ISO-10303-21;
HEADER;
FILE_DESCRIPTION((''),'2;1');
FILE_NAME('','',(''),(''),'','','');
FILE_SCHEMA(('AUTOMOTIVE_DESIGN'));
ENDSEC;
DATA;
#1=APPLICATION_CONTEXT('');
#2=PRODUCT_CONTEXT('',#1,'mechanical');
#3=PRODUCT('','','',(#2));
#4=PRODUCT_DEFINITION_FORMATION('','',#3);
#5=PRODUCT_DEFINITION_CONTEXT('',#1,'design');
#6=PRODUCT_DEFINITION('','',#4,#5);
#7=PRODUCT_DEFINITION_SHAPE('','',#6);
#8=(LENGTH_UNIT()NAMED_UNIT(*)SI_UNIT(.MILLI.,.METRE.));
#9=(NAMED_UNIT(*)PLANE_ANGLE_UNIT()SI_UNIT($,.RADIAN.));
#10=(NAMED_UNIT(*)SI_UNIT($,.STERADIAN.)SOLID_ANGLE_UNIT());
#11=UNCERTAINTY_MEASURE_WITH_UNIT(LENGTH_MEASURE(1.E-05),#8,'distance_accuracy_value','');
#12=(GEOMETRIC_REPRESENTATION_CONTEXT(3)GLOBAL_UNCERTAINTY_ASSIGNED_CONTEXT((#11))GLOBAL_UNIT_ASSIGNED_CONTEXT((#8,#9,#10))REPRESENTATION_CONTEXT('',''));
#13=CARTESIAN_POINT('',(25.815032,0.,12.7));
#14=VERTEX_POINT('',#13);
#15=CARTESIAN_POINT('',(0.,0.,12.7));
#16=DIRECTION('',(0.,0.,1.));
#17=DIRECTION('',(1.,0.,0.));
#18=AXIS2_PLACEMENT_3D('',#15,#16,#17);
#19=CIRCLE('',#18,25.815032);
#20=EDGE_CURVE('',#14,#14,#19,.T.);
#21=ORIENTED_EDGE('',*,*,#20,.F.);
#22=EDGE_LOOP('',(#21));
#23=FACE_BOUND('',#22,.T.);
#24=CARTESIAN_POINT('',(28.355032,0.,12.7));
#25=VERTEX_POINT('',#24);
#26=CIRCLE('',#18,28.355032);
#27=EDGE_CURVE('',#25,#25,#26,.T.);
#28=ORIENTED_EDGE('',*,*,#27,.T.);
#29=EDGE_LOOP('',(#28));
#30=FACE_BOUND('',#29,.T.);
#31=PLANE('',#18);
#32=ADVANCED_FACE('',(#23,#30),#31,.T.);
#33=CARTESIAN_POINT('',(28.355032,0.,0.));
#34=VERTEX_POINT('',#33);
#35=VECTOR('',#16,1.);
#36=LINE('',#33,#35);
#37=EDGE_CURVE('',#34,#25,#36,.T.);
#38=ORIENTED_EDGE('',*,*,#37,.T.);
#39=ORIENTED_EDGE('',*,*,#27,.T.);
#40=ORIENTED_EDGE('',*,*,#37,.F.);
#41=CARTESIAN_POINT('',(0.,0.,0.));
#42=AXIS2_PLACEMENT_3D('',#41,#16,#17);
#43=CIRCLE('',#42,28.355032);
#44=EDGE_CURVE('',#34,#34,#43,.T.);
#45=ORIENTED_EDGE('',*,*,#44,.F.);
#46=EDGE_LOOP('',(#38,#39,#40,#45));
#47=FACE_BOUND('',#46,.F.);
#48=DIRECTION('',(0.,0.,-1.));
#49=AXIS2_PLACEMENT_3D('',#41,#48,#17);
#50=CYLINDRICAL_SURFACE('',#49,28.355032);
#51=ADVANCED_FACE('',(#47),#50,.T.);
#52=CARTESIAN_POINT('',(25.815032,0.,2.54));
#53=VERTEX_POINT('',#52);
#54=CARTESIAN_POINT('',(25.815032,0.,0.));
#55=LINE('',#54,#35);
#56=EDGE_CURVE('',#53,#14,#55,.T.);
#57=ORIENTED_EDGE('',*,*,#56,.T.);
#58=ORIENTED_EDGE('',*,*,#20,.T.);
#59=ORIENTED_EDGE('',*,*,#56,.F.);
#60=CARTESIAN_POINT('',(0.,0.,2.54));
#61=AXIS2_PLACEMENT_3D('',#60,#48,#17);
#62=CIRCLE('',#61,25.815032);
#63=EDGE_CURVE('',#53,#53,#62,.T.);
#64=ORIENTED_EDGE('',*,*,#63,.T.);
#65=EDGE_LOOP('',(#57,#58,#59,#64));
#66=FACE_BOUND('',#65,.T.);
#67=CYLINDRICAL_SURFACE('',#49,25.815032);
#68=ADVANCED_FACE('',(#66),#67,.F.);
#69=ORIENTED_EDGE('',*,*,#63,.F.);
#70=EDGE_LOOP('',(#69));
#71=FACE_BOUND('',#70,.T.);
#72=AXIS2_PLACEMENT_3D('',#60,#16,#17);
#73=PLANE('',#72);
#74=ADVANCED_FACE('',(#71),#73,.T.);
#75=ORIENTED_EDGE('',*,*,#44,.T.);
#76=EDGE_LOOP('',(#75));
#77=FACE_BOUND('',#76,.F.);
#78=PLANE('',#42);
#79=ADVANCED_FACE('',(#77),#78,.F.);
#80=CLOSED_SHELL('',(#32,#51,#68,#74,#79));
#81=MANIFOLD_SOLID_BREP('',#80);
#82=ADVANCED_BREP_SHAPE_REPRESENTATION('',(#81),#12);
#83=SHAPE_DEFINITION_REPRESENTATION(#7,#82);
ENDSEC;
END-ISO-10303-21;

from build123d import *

# Parameters (mm, degrees)
F0_R     = 28.355032
F1_DEPTH = 12.7
F2_T     = -2.54


with BuildPart() as f1:
    # F0 (on Top) → F1 (new body)
    with BuildSketch(Plane.XY):
        Circle(F0_R)
    extrude(amount=F1_DEPTH)

    # F2
    f2_openings = [f1.faces().sort_by_distance(p)[0] for p in [
        (0, 0, 12.7),
    ]]
    offset(amount=F2_T, openings=f2_openings)


solid = f1.part
